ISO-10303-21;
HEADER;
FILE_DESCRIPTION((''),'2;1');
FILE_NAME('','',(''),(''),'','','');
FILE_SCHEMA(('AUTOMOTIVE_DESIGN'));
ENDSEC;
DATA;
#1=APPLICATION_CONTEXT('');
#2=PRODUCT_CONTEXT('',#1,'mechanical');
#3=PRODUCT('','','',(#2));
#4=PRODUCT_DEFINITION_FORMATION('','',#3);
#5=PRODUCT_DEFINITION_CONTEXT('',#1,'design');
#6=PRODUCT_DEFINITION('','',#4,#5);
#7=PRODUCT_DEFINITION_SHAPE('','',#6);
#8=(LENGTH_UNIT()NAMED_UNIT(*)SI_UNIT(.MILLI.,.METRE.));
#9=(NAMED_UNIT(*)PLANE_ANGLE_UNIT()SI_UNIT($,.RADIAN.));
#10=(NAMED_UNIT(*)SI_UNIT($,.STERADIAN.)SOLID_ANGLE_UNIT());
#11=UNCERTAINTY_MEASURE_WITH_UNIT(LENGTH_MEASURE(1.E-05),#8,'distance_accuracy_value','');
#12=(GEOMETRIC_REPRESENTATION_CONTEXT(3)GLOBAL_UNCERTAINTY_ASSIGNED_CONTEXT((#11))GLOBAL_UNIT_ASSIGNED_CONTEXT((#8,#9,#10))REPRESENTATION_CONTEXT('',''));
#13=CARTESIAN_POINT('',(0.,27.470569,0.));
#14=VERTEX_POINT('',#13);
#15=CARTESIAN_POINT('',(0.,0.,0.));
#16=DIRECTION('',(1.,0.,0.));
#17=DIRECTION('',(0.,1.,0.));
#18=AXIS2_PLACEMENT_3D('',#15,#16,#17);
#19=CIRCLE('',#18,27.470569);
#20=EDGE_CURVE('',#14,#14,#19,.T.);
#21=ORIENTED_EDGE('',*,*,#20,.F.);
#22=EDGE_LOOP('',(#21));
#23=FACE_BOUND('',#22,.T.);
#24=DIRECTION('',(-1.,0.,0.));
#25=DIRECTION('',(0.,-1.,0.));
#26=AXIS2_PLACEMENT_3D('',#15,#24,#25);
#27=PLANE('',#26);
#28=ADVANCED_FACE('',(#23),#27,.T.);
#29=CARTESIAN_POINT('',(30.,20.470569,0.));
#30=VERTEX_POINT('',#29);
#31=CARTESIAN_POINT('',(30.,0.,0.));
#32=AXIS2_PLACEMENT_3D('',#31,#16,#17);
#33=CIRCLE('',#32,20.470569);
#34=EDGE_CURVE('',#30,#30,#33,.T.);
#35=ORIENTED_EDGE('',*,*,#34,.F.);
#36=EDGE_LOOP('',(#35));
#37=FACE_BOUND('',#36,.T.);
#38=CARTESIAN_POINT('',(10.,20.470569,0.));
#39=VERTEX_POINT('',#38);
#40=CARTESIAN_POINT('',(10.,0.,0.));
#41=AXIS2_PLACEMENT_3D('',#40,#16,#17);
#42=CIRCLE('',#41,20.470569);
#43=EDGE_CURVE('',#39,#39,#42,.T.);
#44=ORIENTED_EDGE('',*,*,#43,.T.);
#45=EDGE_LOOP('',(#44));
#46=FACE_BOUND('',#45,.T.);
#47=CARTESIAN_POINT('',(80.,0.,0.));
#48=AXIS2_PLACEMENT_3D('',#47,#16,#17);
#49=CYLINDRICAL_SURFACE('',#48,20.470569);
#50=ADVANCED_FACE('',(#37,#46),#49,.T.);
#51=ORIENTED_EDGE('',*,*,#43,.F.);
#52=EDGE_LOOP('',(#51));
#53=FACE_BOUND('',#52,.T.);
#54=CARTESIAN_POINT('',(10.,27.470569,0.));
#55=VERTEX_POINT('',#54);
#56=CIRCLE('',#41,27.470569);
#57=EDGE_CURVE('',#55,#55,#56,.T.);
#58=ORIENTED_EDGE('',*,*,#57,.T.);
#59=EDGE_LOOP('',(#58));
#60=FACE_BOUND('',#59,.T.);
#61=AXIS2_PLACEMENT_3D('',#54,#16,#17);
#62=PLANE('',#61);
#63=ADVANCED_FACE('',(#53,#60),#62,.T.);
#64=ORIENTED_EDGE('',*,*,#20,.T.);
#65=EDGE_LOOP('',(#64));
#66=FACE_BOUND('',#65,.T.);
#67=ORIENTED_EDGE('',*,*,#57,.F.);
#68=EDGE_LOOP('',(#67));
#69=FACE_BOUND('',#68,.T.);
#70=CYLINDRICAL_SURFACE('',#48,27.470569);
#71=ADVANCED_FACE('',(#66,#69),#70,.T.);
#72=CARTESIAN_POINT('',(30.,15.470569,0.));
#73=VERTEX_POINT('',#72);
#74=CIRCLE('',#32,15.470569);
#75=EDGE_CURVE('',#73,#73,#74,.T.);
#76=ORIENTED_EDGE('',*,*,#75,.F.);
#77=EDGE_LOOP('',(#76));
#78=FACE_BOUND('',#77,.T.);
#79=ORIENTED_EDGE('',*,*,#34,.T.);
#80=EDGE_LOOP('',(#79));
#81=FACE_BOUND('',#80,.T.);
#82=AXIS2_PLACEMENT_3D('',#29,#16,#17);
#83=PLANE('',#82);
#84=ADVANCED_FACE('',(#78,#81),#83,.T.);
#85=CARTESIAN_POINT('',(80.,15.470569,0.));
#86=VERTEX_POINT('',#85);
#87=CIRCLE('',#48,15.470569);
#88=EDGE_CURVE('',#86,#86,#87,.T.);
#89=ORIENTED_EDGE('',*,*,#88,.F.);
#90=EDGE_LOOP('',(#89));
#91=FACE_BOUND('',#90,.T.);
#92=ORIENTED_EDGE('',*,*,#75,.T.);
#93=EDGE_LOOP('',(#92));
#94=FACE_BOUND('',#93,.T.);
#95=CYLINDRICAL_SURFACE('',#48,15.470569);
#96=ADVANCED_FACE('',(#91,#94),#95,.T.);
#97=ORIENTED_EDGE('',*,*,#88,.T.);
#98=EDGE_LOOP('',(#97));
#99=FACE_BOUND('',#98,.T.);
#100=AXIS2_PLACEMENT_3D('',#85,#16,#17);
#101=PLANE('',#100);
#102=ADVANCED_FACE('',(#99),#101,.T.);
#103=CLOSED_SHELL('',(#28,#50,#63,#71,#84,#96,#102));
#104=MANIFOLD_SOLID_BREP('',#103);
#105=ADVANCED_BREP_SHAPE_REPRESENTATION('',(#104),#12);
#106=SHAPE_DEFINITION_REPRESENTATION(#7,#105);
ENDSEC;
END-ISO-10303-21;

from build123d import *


with BuildPart() as part:
    # Sketch1 → Revolve1 (revolve)
    with BuildSketch(Plane.XY):
        Polygon((0, 0), (0, 27.470569075), (10, 27.470569075), (10, 20.470569075), (30, 20.470569075), (30, 15.470569075), (80, 15.470569075), (80, 0), align=None)
    revolve(axis=Axis((80, 0, 0), (-1, 0, 0)))


solid = part.part
